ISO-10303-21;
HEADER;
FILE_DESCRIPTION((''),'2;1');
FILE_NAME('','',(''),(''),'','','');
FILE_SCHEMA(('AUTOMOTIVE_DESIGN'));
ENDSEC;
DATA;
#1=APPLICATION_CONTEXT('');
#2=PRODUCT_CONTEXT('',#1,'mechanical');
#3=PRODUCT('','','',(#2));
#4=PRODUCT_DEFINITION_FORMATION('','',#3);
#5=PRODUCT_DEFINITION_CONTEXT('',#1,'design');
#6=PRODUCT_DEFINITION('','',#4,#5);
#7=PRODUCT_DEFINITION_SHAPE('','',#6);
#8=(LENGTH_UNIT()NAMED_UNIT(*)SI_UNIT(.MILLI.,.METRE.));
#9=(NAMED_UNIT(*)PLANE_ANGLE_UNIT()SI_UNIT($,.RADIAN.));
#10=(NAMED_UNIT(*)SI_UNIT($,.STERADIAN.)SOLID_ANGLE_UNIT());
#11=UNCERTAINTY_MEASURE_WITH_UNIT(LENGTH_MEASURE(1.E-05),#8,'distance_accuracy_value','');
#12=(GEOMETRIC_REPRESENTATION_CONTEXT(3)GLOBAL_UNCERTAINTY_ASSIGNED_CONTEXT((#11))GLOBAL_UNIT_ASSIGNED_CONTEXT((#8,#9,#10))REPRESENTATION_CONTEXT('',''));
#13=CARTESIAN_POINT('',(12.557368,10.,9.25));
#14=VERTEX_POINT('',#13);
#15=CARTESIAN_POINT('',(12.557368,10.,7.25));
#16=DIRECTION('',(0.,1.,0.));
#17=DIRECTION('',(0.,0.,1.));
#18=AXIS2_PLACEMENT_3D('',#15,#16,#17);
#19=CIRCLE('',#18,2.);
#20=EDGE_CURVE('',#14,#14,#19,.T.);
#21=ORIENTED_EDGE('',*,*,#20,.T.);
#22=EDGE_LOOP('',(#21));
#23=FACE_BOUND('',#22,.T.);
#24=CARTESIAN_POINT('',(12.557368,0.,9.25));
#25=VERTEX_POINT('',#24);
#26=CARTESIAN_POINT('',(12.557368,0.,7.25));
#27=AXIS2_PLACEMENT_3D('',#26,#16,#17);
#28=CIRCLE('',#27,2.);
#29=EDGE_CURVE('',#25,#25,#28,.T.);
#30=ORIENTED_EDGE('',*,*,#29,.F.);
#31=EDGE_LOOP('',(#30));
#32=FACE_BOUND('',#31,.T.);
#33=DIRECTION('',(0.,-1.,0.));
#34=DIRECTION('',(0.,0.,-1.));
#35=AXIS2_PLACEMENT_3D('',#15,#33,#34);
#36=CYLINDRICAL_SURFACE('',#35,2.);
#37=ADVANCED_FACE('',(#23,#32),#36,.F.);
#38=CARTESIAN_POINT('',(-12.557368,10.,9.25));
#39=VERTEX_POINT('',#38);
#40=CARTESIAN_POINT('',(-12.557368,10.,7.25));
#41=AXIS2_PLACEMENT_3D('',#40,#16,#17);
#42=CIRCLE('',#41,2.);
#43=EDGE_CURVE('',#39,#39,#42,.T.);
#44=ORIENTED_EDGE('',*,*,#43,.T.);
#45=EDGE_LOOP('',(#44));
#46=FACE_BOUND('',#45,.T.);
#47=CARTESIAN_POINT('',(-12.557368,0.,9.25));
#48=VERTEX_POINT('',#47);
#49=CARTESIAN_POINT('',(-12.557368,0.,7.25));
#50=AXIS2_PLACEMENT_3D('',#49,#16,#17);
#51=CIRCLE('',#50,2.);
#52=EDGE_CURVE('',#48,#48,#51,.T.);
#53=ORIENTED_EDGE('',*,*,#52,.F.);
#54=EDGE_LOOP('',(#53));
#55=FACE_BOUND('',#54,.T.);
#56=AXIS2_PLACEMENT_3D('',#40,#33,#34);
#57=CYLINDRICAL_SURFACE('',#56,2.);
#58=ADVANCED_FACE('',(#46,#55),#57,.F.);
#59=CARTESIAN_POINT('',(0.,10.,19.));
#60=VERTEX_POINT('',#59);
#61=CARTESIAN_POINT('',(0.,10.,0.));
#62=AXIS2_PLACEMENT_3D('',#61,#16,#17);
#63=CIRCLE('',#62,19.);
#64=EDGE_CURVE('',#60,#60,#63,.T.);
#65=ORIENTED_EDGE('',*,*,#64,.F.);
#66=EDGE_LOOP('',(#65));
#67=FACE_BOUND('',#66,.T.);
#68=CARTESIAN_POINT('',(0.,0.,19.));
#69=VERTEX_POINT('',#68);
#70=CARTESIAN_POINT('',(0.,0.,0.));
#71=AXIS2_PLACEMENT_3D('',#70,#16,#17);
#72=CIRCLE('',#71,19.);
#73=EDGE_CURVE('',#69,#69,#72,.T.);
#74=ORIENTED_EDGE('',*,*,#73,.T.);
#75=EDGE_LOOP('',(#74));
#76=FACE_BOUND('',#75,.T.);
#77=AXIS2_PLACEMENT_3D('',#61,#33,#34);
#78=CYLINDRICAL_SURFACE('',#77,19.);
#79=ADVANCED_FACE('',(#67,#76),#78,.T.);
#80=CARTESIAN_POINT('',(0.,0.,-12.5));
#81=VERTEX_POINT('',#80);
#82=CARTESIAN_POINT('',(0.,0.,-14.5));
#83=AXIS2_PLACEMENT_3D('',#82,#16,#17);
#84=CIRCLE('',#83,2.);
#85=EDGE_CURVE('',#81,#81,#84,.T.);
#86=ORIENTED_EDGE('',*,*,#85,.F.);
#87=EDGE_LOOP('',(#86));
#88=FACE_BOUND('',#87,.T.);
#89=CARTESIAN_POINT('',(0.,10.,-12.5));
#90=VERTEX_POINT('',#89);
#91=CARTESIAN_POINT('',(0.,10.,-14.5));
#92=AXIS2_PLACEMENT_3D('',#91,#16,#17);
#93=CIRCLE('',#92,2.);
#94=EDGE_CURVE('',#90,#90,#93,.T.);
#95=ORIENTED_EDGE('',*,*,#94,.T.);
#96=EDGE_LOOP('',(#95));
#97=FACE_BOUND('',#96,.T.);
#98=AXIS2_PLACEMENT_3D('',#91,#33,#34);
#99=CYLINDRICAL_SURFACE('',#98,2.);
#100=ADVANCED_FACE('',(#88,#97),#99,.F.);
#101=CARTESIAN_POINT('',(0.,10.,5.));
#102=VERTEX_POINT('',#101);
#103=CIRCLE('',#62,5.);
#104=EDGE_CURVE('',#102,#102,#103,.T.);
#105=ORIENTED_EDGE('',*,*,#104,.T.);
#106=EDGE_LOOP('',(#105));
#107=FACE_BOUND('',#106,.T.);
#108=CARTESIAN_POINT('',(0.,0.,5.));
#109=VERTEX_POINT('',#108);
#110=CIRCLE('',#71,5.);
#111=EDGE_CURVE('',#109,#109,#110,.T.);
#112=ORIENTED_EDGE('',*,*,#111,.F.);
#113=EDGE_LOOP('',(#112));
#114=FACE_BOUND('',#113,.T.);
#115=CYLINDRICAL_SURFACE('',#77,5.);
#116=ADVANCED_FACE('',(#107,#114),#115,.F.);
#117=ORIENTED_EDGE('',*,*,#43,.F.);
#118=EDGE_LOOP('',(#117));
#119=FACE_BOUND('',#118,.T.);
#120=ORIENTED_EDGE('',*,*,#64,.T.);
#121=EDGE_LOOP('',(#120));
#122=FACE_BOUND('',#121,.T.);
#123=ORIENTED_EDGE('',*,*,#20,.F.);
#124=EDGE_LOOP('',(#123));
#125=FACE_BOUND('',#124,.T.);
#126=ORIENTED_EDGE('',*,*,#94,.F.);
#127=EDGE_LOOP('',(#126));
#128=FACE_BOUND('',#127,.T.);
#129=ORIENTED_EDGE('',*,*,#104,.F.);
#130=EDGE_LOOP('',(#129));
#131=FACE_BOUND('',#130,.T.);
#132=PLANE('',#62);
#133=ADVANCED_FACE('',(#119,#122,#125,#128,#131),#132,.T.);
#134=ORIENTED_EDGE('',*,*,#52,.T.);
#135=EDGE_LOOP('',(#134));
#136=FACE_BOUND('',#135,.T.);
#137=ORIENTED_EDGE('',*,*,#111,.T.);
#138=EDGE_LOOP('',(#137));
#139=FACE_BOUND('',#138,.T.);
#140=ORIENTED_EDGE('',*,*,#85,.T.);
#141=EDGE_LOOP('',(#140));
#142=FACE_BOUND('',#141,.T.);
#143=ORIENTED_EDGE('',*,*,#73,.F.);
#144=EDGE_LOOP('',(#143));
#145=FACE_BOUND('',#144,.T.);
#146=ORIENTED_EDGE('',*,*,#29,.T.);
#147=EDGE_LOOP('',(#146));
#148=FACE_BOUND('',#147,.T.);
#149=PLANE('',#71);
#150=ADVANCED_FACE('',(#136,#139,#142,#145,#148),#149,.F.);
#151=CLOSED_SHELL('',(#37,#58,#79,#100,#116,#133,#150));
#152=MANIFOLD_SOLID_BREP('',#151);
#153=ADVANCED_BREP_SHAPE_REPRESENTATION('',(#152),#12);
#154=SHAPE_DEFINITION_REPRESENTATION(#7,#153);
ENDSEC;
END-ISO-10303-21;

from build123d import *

# Parameters (mm, degrees)
SKETCH1_R           = 19
SKETCH1_R_2         = 2
SKETCH1_R_3         = 5
BOSS_EXTRUDE1_DEPTH = 10


with BuildPart() as part:
    # Sketch1 → Boss-Extrude1 (new body)
    with BuildSketch(Plane(origin=(0, 0, 0), x_dir=(1, 0, 0), z_dir=(0, 1, 0))):
        Circle(SKETCH1_R)
        with Locations((0, 14.5)):
            Circle(SKETCH1_R_2, mode=Mode.SUBTRACT)
        with Locations((12.557368355, -7.25)):
            Circle(SKETCH1_R_2, mode=Mode.SUBTRACT)
        with Locations((-12.557368355, -7.25)):
            Circle(SKETCH1_R_2, mode=Mode.SUBTRACT)
        Circle(SKETCH1_R_3, mode=Mode.SUBTRACT)
    extrude(amount=BOSS_EXTRUDE1_DEPTH)


solid = part.part
